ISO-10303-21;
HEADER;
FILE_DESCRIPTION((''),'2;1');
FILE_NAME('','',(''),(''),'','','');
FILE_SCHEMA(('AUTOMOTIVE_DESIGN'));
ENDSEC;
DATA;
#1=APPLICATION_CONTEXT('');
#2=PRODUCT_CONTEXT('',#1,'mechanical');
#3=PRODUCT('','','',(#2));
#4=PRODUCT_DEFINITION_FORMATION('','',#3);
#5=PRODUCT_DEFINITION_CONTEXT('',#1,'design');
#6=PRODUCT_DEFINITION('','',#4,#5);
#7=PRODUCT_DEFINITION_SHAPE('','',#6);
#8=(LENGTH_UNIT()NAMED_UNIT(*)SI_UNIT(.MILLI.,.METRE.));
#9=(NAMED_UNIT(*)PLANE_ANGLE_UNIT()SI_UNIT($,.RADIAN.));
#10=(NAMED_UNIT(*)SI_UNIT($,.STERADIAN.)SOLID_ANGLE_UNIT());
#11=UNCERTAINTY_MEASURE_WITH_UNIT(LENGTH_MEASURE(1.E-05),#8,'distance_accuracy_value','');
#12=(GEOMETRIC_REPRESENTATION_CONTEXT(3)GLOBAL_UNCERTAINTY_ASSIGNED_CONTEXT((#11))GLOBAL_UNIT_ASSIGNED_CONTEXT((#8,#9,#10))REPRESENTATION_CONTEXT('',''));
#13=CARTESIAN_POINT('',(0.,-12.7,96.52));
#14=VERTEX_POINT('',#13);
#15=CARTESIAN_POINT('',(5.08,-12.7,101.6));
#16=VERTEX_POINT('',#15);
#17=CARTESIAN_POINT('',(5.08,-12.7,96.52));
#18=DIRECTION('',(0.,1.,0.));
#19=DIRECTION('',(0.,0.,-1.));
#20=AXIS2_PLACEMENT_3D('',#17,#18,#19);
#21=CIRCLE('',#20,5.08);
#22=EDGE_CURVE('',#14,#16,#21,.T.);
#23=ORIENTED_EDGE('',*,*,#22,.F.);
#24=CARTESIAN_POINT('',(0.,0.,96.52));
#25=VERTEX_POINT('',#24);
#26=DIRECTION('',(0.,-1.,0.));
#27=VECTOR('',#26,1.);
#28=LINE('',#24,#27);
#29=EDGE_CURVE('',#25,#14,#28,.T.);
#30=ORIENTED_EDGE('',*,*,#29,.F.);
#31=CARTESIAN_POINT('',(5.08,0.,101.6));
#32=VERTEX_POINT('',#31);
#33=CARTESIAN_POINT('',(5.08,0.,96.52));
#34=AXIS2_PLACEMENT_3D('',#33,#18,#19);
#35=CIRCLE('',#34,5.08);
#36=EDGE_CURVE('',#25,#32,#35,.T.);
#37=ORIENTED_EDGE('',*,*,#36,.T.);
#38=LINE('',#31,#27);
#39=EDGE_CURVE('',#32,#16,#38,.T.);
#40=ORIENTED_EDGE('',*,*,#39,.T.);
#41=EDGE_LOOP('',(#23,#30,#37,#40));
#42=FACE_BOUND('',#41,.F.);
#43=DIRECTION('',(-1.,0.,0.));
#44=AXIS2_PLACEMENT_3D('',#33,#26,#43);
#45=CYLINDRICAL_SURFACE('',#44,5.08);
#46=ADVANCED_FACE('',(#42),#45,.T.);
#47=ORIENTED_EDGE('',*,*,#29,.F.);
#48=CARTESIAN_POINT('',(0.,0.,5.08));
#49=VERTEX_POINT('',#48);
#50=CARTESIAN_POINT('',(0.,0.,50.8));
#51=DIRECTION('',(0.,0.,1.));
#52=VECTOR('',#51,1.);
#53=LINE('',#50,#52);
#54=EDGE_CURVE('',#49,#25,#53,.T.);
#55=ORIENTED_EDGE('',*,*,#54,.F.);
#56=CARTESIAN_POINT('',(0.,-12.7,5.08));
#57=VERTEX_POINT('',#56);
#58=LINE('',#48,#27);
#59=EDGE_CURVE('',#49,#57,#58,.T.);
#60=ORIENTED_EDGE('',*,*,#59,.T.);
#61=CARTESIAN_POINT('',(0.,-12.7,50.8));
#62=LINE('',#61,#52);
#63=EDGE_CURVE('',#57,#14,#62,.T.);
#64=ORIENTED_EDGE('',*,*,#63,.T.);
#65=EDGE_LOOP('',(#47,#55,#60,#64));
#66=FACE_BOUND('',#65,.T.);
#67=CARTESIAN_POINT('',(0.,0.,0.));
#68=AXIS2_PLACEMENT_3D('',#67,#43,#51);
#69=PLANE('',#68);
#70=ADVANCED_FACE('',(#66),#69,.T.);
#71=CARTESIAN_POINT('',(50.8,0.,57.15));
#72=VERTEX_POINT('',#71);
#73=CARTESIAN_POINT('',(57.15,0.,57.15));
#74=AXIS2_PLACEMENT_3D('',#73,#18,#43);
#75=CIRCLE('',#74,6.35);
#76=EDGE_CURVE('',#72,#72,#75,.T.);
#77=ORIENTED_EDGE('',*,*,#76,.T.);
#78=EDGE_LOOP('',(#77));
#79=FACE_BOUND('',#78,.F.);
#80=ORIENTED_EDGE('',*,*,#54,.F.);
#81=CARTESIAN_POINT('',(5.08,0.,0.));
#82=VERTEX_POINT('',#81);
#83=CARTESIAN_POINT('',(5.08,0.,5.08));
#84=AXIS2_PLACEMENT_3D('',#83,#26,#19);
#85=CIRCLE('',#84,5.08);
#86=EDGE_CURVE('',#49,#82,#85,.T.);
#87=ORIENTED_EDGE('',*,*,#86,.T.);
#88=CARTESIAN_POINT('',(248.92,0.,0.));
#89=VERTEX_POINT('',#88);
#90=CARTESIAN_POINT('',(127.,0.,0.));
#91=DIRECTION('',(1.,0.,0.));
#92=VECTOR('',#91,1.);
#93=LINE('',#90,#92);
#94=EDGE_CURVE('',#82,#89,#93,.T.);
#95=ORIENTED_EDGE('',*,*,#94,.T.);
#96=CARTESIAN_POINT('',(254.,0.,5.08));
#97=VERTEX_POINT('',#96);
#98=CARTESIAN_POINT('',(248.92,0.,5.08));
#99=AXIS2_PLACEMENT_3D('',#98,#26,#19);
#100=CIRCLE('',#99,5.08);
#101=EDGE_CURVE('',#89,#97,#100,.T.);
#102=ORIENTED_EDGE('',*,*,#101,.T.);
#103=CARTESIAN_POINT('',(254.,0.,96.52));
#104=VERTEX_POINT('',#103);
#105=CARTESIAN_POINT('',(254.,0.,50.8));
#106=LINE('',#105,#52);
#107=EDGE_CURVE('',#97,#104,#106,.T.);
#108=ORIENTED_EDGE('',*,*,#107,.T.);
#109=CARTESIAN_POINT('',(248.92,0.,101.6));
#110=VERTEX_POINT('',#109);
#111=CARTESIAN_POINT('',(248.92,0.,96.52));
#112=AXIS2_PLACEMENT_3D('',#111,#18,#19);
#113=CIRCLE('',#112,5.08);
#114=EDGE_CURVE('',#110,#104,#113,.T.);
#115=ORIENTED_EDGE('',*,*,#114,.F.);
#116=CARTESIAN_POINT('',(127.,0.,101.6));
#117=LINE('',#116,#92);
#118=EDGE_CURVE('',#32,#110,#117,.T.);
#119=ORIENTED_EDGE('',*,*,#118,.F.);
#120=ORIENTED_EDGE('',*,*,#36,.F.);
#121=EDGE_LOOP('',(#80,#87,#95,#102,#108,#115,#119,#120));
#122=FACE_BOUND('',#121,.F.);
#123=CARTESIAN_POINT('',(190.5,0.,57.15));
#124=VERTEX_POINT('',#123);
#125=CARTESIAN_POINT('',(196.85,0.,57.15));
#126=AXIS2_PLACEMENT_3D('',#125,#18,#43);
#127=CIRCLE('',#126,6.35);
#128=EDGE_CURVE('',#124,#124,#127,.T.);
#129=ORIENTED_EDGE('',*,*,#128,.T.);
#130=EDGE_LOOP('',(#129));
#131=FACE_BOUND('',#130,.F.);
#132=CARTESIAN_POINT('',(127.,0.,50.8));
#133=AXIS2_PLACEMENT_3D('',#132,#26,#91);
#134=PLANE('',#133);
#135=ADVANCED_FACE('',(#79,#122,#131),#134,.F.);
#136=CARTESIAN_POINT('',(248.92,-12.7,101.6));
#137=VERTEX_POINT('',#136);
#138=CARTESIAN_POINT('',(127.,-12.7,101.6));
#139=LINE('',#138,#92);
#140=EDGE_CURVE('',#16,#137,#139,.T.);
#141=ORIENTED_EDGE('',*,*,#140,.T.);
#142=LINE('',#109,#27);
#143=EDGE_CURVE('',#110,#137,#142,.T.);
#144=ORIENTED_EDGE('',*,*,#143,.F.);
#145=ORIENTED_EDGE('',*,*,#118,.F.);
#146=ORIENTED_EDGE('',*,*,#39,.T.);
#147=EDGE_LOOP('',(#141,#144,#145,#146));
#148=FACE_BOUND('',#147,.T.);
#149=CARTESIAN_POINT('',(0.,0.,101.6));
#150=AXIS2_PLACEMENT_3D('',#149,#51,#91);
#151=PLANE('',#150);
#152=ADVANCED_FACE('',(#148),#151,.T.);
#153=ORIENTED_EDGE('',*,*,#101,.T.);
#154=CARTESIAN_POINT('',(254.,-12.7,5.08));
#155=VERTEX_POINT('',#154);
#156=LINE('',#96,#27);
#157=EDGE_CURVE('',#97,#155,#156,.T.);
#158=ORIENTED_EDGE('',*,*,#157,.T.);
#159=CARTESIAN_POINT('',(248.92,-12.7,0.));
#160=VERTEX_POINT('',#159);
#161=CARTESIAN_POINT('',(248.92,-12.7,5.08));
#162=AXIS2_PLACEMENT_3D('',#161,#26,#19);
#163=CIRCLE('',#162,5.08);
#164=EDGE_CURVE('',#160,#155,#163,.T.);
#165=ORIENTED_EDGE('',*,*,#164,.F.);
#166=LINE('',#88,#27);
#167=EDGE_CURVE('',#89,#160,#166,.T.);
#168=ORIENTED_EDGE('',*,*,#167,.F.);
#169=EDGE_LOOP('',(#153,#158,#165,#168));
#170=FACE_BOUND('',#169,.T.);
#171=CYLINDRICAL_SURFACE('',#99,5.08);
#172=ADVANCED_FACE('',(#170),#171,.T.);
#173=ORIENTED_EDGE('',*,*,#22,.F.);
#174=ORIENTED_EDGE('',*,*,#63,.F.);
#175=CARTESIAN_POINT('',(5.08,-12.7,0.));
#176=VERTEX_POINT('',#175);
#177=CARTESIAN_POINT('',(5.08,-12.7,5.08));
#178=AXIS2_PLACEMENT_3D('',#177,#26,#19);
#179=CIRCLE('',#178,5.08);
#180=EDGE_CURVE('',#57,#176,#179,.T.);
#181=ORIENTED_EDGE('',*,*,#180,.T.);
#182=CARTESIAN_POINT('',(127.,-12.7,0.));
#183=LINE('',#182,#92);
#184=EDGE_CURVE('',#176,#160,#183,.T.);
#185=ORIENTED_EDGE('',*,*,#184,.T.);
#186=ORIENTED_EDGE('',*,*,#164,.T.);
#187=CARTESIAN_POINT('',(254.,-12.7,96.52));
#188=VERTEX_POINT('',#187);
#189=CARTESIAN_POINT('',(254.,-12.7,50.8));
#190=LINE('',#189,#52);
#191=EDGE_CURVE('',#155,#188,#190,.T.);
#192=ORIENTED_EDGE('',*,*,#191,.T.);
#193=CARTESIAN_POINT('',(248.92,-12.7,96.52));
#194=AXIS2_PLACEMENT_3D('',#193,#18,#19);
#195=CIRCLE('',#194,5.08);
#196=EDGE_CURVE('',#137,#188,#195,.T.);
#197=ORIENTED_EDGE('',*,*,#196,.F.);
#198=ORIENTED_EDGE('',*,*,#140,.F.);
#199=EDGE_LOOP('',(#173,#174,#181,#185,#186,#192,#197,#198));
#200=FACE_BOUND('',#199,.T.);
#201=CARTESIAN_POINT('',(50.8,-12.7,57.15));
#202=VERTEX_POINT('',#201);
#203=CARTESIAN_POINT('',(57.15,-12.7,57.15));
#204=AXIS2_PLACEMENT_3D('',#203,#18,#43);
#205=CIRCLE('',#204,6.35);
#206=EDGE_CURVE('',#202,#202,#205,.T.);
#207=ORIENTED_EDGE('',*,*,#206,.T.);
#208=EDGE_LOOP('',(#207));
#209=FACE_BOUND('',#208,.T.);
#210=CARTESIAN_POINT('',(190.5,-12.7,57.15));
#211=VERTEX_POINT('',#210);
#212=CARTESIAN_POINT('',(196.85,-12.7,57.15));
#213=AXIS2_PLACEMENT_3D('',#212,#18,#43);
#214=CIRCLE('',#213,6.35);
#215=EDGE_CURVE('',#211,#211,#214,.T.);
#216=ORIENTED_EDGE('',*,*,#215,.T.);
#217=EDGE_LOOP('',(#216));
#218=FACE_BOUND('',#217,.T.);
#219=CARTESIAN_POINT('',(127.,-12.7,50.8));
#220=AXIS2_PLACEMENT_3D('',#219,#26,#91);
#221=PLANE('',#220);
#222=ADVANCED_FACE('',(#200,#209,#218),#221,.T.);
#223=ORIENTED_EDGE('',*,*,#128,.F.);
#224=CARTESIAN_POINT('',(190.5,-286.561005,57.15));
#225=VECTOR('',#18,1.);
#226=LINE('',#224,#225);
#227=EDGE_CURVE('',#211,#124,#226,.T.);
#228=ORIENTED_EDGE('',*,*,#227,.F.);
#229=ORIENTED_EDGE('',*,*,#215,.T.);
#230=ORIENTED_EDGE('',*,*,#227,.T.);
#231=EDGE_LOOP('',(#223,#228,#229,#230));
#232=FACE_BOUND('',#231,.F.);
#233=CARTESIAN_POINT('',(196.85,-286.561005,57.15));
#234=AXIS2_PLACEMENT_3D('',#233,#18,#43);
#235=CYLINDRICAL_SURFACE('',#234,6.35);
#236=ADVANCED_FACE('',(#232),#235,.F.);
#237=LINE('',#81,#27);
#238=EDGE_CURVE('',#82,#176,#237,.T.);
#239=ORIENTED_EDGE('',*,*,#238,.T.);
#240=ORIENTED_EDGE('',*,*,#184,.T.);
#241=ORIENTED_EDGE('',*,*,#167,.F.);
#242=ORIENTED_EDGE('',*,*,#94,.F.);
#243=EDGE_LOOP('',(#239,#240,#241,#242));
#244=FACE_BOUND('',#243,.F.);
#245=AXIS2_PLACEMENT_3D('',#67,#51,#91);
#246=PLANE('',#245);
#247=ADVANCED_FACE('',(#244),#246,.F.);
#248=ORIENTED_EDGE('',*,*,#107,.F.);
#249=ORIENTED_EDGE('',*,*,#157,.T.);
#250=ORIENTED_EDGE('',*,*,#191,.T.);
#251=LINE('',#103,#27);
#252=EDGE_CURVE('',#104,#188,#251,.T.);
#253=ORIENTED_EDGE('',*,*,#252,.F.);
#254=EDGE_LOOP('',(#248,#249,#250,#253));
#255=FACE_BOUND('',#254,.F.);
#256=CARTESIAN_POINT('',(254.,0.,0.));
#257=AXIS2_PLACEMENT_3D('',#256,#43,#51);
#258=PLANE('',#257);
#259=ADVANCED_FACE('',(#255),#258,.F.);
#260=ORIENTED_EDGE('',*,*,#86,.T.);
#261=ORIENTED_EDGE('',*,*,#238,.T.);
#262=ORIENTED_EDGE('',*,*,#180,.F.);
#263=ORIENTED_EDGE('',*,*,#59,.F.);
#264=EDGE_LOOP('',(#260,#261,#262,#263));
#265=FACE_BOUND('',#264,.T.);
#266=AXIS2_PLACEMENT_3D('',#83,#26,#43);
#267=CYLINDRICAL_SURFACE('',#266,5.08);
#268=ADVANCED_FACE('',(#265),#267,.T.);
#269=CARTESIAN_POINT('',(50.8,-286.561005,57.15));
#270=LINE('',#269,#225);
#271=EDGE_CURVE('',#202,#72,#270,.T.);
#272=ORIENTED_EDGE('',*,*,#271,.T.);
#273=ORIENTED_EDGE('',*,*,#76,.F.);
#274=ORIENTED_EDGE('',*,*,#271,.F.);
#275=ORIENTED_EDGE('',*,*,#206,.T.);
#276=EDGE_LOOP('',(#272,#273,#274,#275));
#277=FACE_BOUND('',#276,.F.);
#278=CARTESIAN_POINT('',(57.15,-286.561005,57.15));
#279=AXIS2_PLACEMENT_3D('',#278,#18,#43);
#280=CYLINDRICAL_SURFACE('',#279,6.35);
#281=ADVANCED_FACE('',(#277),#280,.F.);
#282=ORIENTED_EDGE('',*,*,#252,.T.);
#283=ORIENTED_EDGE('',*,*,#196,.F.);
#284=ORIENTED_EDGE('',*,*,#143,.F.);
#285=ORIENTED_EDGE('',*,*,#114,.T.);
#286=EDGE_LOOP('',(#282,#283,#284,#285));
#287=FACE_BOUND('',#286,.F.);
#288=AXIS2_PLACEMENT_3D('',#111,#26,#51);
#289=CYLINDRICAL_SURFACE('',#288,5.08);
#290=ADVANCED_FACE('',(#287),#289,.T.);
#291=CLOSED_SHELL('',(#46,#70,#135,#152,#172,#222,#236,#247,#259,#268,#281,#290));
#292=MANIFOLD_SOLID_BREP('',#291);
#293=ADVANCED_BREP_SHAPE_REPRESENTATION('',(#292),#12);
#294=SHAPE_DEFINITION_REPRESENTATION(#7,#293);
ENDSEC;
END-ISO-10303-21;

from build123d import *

# Parameters (mm, degrees)
F0_W     = 254
F0_H     = 101.6
F1_DEPTH = 12.7
F3_D     = 12.7
F4_R     = 5.08


with BuildPart() as f1:
    # F0 (on Front) → F1 (new body)
    with BuildSketch(Plane.XZ):
        with Locations((127, 50.8)):
            Rectangle(F0_W, F0_H)
    extrude(amount=F1_DEPTH)

    # F3 (through all)
    with Locations(Plane.XZ.offset(12.7)):
        with Locations((57.15, 57.15), (196.85, 57.15)):
            Hole(F3_D / 2)

    # F4
    f4_edges = [f1.edges().sort_by_distance(p)[0] for p in [
        (254, -6.35, 101.6),
        (254, -6.35, 0),
        (0, -6.35, 0),
        (0, -6.35, 101.6),
    ]]
    fillet(f4_edges, radius=F4_R)


solid = f1.part
